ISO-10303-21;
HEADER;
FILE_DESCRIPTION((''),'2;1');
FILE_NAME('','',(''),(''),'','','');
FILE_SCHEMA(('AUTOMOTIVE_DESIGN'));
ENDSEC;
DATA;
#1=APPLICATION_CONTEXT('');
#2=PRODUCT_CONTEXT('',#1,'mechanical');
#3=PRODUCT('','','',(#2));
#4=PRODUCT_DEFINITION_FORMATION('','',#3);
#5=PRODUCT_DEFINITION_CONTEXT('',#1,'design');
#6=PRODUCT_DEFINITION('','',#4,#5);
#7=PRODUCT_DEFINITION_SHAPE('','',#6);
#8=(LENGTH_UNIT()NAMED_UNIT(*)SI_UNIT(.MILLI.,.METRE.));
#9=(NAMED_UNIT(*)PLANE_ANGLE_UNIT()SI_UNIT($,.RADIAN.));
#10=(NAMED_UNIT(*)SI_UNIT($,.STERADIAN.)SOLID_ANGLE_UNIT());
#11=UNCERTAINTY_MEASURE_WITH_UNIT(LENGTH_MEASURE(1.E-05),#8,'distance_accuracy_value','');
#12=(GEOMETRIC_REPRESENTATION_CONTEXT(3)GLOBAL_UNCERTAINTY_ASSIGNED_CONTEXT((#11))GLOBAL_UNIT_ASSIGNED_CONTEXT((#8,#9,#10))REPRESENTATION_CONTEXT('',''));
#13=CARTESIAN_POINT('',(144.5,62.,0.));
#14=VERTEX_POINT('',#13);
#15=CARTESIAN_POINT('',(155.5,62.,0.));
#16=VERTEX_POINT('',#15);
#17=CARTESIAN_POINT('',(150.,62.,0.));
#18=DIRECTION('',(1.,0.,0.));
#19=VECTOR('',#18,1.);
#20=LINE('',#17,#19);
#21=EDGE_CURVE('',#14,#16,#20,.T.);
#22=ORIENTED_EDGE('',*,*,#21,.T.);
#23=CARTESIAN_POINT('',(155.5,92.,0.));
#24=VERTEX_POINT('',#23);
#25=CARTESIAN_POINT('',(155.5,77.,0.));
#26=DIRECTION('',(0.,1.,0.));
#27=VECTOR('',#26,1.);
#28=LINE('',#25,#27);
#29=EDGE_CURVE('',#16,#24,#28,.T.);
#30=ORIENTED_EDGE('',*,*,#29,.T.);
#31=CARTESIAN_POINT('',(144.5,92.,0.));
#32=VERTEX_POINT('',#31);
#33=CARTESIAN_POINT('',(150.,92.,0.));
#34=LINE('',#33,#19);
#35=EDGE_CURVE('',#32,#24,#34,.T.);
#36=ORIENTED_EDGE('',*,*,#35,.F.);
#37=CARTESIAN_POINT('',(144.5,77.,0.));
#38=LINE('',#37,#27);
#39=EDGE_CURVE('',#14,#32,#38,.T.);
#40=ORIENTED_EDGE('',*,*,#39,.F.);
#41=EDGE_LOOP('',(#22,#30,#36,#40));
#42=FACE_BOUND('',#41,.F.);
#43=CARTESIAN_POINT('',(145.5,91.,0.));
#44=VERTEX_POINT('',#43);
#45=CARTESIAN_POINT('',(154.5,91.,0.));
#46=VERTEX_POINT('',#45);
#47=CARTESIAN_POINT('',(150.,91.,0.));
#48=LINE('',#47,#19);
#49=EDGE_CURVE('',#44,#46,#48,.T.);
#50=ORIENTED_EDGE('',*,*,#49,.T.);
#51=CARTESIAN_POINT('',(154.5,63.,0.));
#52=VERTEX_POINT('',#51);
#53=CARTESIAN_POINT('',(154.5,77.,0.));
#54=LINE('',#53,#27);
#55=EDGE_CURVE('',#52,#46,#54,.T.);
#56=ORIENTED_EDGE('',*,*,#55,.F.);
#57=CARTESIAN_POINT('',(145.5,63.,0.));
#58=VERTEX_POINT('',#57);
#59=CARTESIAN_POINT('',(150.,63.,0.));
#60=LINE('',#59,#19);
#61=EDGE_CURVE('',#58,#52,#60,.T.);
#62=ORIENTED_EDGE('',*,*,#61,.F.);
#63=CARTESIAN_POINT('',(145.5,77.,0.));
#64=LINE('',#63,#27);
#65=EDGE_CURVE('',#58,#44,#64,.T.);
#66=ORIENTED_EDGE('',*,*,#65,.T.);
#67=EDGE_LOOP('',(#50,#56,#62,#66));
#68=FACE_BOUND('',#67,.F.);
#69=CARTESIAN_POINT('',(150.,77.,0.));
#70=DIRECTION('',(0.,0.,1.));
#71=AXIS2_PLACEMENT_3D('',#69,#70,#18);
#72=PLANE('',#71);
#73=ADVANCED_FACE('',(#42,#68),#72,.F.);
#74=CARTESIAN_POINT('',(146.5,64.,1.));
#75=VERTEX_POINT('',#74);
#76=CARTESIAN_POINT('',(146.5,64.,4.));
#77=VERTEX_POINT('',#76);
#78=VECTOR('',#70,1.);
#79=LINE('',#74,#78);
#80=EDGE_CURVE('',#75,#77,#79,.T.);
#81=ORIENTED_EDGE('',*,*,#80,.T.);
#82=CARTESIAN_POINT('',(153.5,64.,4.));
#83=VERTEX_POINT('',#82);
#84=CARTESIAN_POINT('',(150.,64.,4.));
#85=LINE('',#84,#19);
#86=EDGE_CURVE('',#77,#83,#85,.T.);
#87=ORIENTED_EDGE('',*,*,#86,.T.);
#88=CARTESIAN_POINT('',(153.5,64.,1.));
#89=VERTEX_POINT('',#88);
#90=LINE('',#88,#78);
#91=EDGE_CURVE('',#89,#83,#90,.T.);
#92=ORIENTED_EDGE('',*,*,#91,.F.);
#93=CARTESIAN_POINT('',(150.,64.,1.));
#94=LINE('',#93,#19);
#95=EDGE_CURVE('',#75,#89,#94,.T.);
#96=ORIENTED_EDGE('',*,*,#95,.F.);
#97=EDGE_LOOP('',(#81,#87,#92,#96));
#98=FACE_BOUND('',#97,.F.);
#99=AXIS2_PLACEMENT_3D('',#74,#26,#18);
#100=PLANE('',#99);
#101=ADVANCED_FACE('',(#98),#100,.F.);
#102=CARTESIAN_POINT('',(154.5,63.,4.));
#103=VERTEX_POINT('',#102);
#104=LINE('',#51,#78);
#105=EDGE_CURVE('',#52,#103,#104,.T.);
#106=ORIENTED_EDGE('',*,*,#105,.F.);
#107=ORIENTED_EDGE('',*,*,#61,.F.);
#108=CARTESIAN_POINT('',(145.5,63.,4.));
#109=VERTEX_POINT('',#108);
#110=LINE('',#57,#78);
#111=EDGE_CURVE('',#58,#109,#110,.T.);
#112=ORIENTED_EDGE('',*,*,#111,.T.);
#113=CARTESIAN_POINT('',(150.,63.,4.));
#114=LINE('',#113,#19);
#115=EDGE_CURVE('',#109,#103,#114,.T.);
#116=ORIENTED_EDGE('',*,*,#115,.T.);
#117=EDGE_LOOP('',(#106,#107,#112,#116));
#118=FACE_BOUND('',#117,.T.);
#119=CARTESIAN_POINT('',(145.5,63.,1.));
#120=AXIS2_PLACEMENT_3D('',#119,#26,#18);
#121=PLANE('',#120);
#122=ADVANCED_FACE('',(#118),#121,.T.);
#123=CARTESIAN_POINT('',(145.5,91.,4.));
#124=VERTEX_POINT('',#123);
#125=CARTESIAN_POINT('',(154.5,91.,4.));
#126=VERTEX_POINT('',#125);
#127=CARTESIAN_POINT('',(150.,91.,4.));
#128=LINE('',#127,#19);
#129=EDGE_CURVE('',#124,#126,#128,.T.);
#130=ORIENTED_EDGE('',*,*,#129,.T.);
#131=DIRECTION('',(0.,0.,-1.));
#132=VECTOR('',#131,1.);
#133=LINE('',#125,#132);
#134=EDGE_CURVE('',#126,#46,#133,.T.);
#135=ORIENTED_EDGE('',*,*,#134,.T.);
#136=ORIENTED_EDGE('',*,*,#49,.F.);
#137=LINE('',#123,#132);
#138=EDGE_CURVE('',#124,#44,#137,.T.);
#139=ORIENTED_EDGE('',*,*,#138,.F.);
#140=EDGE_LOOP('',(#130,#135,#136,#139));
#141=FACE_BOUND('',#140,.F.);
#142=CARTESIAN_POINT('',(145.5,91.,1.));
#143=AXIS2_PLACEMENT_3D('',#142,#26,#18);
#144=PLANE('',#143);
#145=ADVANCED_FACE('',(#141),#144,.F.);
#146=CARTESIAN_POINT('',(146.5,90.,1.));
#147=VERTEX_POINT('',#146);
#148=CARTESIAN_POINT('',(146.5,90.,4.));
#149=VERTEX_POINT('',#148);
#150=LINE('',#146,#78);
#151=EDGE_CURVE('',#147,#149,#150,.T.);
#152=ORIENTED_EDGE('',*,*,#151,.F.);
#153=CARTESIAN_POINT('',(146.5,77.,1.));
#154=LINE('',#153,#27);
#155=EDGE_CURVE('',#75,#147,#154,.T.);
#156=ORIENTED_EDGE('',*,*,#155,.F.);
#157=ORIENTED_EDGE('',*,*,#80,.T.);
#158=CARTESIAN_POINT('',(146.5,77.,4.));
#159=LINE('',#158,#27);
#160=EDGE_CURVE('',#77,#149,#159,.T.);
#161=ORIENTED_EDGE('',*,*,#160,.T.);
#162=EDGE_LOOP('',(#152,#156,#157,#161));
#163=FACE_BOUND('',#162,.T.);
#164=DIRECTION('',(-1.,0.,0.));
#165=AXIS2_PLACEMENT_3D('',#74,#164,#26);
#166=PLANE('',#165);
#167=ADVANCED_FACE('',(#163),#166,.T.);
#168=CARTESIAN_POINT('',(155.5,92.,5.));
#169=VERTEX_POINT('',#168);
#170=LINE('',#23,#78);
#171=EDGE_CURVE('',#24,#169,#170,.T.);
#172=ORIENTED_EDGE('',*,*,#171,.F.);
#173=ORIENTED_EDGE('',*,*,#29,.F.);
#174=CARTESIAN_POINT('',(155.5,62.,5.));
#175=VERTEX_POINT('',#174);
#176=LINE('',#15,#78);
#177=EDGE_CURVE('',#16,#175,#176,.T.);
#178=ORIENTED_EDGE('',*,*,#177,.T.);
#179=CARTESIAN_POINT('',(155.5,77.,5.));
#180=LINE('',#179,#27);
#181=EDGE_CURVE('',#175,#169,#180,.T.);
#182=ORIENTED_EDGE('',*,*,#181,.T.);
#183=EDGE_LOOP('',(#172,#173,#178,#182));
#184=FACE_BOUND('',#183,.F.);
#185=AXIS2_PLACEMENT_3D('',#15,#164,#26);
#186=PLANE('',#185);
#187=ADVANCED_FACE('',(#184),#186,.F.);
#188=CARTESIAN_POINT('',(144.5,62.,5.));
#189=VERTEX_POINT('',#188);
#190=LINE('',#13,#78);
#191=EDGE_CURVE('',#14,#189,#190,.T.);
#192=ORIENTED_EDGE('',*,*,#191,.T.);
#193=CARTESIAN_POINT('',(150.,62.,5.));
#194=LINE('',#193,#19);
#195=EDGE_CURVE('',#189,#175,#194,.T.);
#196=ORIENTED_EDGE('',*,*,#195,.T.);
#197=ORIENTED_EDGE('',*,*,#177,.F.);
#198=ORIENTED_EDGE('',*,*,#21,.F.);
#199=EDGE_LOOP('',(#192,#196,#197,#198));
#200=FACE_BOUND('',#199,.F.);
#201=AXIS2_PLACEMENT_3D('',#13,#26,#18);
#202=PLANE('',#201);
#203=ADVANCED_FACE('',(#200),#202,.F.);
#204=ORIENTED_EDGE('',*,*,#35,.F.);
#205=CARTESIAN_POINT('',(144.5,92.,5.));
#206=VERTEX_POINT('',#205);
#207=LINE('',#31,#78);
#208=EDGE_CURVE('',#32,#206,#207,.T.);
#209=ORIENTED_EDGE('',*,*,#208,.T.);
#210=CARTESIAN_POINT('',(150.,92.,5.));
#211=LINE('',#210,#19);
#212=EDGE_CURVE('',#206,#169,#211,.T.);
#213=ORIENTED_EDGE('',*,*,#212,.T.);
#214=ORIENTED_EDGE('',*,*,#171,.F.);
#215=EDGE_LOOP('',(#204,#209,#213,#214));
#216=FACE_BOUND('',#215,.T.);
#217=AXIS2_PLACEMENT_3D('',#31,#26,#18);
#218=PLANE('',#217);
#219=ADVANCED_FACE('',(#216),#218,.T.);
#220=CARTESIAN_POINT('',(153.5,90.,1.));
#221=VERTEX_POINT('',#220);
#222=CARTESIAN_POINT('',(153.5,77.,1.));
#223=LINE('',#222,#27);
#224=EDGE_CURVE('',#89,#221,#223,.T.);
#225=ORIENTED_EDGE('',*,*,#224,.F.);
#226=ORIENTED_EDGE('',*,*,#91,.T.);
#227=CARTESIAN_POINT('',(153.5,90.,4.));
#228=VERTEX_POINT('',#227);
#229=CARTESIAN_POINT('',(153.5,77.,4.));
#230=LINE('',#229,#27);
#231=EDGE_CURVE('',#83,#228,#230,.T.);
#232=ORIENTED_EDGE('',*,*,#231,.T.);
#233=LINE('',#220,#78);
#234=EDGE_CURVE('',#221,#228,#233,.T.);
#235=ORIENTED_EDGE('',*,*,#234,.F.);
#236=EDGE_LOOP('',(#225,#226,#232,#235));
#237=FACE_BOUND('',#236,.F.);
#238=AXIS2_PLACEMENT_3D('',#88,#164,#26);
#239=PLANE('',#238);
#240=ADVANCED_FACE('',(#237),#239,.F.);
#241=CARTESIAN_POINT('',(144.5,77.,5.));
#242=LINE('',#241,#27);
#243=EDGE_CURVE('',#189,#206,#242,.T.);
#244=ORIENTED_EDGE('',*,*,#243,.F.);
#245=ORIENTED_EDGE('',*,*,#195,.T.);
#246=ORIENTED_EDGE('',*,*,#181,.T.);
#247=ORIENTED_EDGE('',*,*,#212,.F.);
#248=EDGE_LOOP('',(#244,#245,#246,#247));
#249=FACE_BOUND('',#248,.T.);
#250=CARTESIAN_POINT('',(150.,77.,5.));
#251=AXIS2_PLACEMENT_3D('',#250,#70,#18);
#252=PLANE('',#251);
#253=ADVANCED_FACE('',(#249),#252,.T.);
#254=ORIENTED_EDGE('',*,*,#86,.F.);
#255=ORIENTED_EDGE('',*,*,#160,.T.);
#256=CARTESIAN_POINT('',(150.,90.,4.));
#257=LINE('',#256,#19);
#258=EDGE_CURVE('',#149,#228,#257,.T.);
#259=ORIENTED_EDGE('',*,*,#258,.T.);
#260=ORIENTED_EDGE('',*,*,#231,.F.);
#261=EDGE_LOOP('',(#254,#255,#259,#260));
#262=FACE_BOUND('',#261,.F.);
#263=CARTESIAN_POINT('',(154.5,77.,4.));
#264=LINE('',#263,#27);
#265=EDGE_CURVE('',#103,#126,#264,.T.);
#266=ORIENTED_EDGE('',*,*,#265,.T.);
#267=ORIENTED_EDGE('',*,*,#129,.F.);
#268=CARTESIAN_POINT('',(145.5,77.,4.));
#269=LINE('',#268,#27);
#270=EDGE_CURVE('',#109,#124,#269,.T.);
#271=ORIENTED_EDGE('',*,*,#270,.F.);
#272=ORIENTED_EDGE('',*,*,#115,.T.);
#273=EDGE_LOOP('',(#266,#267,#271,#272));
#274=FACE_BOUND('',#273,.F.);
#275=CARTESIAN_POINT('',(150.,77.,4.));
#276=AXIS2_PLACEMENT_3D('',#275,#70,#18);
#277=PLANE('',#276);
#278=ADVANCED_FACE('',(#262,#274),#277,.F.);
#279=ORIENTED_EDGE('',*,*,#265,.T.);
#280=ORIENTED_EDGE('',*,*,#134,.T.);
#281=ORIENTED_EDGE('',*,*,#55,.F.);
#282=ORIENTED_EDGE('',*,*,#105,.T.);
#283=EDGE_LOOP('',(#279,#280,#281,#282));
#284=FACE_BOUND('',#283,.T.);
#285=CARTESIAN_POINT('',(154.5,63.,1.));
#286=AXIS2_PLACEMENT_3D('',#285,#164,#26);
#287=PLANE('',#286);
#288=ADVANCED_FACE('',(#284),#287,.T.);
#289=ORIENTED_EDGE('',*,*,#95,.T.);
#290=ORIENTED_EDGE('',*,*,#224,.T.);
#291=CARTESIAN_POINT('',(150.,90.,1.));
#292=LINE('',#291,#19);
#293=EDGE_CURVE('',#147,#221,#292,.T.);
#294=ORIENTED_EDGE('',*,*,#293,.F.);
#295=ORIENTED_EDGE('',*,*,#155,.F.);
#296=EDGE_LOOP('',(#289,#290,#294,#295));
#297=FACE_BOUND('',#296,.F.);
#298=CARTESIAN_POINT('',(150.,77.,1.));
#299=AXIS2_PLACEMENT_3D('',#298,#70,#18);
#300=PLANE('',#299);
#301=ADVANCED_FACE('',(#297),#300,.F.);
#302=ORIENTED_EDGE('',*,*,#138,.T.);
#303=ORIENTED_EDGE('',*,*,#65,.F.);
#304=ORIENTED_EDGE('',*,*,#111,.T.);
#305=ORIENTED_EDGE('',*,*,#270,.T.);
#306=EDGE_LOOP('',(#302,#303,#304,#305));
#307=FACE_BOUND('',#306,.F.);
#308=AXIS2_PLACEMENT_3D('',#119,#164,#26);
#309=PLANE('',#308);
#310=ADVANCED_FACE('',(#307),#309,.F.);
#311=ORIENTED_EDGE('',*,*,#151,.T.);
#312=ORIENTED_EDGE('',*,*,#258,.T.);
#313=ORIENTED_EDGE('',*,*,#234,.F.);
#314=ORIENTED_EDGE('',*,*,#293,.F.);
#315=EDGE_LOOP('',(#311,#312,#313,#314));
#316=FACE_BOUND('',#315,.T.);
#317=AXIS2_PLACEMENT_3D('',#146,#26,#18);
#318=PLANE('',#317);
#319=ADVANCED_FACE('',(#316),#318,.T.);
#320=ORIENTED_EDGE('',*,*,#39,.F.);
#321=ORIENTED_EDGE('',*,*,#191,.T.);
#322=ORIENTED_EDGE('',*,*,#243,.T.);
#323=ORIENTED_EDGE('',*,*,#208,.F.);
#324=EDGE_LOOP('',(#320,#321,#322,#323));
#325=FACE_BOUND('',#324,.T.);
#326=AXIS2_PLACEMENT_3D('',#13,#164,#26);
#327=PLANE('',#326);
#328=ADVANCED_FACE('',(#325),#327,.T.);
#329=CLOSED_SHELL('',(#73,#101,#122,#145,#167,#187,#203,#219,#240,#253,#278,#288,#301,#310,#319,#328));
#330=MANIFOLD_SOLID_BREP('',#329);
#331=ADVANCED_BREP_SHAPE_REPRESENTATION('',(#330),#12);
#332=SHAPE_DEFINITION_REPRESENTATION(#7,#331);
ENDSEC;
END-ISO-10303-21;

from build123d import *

# Parameters (mm, degrees)
SKETCH042_W   = 9
SKETCH042_H   = 28
PAD027_DEPTH  = 1
SKETCH043_W   = 9
SKETCH043_H   = 28
SKETCH043_W_2 = 7
SKETCH043_H_2 = 26
PAD028_DEPTH  = 3
BOX002_W      = 11
BOX002_H      = 30
BOX002_DEPTH  = 5


with BuildPart() as sidemold:
    # Sketch042 → Pad027 (new body)
    with BuildSketch(Plane.XY):
        Rectangle(SKETCH042_W, SKETCH042_H)
    extrude(amount=PAD027_DEPTH)

    # Sketch043 (on Face6 of Pad027) → Pad028 (join)
    with BuildSketch(Plane.XY.offset(1)):
        Rectangle(SKETCH043_W, SKETCH043_H)
        Rectangle(SKETCH043_W_2, SKETCH043_H_2, mode=Mode.SUBTRACT)
    extrude(amount=PAD028_DEPTH)


with BuildPart() as sidemold_1:
    # Body009 placement: moved
    add(sidemold.part.moved(Location((150, 35, 0))))


with BuildPart() as short_side_mold:
    # Box002 → Box002 (new body)
    with BuildSketch(Plane(origin=(144.5, 20, 0), x_dir=(1, 0, 0), z_dir=(0, 0, 1))):
        with Locations((5.5, 15)):
            Rectangle(BOX002_W, BOX002_H)
    extrude(amount=BOX002_DEPTH)

    # Cut002: cut SideMold
    add(sidemold_1.part, mode=Mode.SUBTRACT)


with BuildPart() as short_side_mold_1:
    # Cut002 placement: moved
    add(short_side_mold.part.moved(Location((0, 42, 0))))


solid = short_side_mold_1.part
